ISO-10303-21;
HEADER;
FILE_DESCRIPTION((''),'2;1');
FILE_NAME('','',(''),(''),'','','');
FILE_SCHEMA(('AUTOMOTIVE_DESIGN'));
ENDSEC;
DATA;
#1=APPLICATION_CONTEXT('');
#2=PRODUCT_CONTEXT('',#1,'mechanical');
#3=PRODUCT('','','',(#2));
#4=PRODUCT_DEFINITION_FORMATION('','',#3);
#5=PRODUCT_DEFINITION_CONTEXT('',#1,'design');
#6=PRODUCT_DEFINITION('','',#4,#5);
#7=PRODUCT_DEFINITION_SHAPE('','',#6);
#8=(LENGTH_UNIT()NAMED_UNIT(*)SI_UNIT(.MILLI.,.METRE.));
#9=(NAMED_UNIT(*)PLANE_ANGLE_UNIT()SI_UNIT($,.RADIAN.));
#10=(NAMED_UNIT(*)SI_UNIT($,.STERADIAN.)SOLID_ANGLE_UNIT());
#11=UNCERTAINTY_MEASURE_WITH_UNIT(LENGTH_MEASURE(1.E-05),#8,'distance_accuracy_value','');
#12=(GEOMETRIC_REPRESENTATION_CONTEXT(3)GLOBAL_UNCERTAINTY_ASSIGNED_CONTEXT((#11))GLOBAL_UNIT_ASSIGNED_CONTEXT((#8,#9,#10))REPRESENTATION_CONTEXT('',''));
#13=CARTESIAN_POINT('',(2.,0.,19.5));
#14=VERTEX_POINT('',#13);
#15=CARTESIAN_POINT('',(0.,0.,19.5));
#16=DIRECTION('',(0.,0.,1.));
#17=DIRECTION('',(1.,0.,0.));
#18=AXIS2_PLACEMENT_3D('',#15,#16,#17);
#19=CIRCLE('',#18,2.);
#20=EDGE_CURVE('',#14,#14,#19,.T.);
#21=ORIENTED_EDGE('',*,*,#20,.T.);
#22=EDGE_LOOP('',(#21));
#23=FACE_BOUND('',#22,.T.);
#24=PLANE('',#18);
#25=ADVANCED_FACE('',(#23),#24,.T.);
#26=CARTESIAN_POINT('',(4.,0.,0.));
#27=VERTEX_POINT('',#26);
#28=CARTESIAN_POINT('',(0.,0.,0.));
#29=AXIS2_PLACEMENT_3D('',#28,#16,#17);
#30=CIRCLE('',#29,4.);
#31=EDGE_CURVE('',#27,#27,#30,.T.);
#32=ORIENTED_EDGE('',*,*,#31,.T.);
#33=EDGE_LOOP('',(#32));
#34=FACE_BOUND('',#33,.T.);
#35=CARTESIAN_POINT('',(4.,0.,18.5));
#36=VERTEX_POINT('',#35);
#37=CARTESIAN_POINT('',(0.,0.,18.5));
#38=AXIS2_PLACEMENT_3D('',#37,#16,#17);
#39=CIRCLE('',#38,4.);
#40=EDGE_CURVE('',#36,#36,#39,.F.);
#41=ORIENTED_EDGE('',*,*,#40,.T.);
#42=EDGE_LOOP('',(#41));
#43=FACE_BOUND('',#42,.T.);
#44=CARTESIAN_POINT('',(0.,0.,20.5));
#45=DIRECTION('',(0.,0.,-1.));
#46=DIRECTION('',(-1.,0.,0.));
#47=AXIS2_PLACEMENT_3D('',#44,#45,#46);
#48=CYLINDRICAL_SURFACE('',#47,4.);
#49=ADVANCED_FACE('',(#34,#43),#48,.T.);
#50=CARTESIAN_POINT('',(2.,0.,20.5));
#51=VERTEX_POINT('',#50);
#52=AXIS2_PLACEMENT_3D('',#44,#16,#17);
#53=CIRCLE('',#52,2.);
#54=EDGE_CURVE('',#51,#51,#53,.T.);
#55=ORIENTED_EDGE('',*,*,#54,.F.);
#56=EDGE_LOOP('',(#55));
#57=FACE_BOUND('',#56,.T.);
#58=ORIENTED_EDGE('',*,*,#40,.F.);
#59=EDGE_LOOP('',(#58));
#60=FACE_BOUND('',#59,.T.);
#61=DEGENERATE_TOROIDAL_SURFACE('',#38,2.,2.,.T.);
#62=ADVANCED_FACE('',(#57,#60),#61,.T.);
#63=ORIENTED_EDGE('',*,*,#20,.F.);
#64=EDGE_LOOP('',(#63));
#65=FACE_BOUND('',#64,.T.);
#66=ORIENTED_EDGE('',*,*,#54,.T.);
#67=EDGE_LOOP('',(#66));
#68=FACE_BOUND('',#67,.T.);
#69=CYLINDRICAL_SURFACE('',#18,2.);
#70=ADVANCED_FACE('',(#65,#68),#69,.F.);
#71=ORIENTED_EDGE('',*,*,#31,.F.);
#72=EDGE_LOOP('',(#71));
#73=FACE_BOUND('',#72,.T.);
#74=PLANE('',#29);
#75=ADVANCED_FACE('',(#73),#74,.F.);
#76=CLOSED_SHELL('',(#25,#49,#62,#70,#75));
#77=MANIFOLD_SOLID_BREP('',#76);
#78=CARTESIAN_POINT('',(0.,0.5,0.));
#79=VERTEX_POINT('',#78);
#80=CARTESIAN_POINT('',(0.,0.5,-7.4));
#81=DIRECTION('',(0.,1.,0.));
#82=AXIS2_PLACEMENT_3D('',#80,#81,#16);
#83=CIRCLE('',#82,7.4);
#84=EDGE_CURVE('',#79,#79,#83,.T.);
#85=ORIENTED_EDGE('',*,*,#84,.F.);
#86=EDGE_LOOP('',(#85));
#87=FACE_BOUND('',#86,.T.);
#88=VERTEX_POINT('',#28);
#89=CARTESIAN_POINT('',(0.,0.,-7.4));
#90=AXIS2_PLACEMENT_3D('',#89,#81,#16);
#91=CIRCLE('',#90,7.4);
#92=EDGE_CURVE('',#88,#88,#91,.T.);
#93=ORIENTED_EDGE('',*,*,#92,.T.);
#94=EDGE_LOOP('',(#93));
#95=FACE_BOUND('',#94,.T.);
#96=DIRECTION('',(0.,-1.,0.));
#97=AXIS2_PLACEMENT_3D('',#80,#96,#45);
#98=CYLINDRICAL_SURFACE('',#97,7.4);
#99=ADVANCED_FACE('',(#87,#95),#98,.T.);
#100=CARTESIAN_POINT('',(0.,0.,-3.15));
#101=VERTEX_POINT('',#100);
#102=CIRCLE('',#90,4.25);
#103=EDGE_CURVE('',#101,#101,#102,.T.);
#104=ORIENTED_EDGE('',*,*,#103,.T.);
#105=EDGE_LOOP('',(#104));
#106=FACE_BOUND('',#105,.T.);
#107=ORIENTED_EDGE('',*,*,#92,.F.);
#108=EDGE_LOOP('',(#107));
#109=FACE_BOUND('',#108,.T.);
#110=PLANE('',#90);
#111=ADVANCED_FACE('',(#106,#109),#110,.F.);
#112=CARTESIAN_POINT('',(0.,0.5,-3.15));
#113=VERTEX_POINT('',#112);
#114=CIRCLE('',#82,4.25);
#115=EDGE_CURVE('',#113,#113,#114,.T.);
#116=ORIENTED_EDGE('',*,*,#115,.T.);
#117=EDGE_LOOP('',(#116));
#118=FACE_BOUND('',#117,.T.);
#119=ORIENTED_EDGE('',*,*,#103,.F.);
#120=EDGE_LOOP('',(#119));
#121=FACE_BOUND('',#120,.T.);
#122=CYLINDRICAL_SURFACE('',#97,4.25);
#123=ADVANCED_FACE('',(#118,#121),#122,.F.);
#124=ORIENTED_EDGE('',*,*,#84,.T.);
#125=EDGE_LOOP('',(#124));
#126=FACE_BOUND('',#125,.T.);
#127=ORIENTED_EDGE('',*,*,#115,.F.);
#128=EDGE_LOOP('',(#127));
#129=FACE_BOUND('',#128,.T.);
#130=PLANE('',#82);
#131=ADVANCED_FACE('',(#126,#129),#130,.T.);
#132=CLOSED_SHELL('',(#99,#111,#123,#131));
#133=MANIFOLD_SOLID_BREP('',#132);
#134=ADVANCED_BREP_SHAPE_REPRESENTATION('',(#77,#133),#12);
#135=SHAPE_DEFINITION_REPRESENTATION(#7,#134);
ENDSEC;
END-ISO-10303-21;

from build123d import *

# Parameters (mm, degrees)
SKETCH_8_R          = 4
EXTRUDE_4_DEPTH     = 20.5
SKETCH_10_R         = 7.4
SKETCH_10_R_2       = 4.25
EXTRUDE_5_DEPTH     = 0.5
FILLET_1_R          = 2
SKETCH_11_R         = 2
CUT_EXTRUDE_1_DEPTH = 1


with BuildPart() as part:
    # ｽｹｯﾁ8 → ﾎﾞｽ - 押し出し4 (new body)
    with BuildSketch(Plane.XY):
        Circle(SKETCH_8_R)
    extrude(amount=EXTRUDE_4_DEPTH)

    # ﾌｨﾚｯﾄ1
    fillet_1_edges = [part.edges().sort_by_distance(p)[0] for p in [
        (-4, 0, 20.5),
    ]]
    fillet(fillet_1_edges, radius=FILLET_1_R)

    # ｽｹｯﾁ11 → ｶｯﾄ - 押し出し1 (cut)
    with BuildSketch(Plane.XY.offset(20.5)):
        Circle(SKETCH_11_R)
    extrude(amount=-CUT_EXTRUDE_1_DEPTH, mode=Mode.SUBTRACT)


with BuildPart() as body_2:
    # ｽｹｯﾁ10 → ﾎﾞｽ - 押し出し5 (new body)
    with BuildSketch(Plane(origin=(0, 0, 0), x_dir=(1, 0, 0), z_dir=(0, 1, 0))):
        with Locations(Location((0, 7.4, 0), (0, 0, 270))):
            Circle(SKETCH_10_R)
        with Locations(Location((0, 7.4, 0), (0, 0, 270))):
            Circle(SKETCH_10_R_2, mode=Mode.SUBTRACT)
    extrude(amount=EXTRUDE_5_DEPTH)


solid = Compound([part.part, body_2.part])
